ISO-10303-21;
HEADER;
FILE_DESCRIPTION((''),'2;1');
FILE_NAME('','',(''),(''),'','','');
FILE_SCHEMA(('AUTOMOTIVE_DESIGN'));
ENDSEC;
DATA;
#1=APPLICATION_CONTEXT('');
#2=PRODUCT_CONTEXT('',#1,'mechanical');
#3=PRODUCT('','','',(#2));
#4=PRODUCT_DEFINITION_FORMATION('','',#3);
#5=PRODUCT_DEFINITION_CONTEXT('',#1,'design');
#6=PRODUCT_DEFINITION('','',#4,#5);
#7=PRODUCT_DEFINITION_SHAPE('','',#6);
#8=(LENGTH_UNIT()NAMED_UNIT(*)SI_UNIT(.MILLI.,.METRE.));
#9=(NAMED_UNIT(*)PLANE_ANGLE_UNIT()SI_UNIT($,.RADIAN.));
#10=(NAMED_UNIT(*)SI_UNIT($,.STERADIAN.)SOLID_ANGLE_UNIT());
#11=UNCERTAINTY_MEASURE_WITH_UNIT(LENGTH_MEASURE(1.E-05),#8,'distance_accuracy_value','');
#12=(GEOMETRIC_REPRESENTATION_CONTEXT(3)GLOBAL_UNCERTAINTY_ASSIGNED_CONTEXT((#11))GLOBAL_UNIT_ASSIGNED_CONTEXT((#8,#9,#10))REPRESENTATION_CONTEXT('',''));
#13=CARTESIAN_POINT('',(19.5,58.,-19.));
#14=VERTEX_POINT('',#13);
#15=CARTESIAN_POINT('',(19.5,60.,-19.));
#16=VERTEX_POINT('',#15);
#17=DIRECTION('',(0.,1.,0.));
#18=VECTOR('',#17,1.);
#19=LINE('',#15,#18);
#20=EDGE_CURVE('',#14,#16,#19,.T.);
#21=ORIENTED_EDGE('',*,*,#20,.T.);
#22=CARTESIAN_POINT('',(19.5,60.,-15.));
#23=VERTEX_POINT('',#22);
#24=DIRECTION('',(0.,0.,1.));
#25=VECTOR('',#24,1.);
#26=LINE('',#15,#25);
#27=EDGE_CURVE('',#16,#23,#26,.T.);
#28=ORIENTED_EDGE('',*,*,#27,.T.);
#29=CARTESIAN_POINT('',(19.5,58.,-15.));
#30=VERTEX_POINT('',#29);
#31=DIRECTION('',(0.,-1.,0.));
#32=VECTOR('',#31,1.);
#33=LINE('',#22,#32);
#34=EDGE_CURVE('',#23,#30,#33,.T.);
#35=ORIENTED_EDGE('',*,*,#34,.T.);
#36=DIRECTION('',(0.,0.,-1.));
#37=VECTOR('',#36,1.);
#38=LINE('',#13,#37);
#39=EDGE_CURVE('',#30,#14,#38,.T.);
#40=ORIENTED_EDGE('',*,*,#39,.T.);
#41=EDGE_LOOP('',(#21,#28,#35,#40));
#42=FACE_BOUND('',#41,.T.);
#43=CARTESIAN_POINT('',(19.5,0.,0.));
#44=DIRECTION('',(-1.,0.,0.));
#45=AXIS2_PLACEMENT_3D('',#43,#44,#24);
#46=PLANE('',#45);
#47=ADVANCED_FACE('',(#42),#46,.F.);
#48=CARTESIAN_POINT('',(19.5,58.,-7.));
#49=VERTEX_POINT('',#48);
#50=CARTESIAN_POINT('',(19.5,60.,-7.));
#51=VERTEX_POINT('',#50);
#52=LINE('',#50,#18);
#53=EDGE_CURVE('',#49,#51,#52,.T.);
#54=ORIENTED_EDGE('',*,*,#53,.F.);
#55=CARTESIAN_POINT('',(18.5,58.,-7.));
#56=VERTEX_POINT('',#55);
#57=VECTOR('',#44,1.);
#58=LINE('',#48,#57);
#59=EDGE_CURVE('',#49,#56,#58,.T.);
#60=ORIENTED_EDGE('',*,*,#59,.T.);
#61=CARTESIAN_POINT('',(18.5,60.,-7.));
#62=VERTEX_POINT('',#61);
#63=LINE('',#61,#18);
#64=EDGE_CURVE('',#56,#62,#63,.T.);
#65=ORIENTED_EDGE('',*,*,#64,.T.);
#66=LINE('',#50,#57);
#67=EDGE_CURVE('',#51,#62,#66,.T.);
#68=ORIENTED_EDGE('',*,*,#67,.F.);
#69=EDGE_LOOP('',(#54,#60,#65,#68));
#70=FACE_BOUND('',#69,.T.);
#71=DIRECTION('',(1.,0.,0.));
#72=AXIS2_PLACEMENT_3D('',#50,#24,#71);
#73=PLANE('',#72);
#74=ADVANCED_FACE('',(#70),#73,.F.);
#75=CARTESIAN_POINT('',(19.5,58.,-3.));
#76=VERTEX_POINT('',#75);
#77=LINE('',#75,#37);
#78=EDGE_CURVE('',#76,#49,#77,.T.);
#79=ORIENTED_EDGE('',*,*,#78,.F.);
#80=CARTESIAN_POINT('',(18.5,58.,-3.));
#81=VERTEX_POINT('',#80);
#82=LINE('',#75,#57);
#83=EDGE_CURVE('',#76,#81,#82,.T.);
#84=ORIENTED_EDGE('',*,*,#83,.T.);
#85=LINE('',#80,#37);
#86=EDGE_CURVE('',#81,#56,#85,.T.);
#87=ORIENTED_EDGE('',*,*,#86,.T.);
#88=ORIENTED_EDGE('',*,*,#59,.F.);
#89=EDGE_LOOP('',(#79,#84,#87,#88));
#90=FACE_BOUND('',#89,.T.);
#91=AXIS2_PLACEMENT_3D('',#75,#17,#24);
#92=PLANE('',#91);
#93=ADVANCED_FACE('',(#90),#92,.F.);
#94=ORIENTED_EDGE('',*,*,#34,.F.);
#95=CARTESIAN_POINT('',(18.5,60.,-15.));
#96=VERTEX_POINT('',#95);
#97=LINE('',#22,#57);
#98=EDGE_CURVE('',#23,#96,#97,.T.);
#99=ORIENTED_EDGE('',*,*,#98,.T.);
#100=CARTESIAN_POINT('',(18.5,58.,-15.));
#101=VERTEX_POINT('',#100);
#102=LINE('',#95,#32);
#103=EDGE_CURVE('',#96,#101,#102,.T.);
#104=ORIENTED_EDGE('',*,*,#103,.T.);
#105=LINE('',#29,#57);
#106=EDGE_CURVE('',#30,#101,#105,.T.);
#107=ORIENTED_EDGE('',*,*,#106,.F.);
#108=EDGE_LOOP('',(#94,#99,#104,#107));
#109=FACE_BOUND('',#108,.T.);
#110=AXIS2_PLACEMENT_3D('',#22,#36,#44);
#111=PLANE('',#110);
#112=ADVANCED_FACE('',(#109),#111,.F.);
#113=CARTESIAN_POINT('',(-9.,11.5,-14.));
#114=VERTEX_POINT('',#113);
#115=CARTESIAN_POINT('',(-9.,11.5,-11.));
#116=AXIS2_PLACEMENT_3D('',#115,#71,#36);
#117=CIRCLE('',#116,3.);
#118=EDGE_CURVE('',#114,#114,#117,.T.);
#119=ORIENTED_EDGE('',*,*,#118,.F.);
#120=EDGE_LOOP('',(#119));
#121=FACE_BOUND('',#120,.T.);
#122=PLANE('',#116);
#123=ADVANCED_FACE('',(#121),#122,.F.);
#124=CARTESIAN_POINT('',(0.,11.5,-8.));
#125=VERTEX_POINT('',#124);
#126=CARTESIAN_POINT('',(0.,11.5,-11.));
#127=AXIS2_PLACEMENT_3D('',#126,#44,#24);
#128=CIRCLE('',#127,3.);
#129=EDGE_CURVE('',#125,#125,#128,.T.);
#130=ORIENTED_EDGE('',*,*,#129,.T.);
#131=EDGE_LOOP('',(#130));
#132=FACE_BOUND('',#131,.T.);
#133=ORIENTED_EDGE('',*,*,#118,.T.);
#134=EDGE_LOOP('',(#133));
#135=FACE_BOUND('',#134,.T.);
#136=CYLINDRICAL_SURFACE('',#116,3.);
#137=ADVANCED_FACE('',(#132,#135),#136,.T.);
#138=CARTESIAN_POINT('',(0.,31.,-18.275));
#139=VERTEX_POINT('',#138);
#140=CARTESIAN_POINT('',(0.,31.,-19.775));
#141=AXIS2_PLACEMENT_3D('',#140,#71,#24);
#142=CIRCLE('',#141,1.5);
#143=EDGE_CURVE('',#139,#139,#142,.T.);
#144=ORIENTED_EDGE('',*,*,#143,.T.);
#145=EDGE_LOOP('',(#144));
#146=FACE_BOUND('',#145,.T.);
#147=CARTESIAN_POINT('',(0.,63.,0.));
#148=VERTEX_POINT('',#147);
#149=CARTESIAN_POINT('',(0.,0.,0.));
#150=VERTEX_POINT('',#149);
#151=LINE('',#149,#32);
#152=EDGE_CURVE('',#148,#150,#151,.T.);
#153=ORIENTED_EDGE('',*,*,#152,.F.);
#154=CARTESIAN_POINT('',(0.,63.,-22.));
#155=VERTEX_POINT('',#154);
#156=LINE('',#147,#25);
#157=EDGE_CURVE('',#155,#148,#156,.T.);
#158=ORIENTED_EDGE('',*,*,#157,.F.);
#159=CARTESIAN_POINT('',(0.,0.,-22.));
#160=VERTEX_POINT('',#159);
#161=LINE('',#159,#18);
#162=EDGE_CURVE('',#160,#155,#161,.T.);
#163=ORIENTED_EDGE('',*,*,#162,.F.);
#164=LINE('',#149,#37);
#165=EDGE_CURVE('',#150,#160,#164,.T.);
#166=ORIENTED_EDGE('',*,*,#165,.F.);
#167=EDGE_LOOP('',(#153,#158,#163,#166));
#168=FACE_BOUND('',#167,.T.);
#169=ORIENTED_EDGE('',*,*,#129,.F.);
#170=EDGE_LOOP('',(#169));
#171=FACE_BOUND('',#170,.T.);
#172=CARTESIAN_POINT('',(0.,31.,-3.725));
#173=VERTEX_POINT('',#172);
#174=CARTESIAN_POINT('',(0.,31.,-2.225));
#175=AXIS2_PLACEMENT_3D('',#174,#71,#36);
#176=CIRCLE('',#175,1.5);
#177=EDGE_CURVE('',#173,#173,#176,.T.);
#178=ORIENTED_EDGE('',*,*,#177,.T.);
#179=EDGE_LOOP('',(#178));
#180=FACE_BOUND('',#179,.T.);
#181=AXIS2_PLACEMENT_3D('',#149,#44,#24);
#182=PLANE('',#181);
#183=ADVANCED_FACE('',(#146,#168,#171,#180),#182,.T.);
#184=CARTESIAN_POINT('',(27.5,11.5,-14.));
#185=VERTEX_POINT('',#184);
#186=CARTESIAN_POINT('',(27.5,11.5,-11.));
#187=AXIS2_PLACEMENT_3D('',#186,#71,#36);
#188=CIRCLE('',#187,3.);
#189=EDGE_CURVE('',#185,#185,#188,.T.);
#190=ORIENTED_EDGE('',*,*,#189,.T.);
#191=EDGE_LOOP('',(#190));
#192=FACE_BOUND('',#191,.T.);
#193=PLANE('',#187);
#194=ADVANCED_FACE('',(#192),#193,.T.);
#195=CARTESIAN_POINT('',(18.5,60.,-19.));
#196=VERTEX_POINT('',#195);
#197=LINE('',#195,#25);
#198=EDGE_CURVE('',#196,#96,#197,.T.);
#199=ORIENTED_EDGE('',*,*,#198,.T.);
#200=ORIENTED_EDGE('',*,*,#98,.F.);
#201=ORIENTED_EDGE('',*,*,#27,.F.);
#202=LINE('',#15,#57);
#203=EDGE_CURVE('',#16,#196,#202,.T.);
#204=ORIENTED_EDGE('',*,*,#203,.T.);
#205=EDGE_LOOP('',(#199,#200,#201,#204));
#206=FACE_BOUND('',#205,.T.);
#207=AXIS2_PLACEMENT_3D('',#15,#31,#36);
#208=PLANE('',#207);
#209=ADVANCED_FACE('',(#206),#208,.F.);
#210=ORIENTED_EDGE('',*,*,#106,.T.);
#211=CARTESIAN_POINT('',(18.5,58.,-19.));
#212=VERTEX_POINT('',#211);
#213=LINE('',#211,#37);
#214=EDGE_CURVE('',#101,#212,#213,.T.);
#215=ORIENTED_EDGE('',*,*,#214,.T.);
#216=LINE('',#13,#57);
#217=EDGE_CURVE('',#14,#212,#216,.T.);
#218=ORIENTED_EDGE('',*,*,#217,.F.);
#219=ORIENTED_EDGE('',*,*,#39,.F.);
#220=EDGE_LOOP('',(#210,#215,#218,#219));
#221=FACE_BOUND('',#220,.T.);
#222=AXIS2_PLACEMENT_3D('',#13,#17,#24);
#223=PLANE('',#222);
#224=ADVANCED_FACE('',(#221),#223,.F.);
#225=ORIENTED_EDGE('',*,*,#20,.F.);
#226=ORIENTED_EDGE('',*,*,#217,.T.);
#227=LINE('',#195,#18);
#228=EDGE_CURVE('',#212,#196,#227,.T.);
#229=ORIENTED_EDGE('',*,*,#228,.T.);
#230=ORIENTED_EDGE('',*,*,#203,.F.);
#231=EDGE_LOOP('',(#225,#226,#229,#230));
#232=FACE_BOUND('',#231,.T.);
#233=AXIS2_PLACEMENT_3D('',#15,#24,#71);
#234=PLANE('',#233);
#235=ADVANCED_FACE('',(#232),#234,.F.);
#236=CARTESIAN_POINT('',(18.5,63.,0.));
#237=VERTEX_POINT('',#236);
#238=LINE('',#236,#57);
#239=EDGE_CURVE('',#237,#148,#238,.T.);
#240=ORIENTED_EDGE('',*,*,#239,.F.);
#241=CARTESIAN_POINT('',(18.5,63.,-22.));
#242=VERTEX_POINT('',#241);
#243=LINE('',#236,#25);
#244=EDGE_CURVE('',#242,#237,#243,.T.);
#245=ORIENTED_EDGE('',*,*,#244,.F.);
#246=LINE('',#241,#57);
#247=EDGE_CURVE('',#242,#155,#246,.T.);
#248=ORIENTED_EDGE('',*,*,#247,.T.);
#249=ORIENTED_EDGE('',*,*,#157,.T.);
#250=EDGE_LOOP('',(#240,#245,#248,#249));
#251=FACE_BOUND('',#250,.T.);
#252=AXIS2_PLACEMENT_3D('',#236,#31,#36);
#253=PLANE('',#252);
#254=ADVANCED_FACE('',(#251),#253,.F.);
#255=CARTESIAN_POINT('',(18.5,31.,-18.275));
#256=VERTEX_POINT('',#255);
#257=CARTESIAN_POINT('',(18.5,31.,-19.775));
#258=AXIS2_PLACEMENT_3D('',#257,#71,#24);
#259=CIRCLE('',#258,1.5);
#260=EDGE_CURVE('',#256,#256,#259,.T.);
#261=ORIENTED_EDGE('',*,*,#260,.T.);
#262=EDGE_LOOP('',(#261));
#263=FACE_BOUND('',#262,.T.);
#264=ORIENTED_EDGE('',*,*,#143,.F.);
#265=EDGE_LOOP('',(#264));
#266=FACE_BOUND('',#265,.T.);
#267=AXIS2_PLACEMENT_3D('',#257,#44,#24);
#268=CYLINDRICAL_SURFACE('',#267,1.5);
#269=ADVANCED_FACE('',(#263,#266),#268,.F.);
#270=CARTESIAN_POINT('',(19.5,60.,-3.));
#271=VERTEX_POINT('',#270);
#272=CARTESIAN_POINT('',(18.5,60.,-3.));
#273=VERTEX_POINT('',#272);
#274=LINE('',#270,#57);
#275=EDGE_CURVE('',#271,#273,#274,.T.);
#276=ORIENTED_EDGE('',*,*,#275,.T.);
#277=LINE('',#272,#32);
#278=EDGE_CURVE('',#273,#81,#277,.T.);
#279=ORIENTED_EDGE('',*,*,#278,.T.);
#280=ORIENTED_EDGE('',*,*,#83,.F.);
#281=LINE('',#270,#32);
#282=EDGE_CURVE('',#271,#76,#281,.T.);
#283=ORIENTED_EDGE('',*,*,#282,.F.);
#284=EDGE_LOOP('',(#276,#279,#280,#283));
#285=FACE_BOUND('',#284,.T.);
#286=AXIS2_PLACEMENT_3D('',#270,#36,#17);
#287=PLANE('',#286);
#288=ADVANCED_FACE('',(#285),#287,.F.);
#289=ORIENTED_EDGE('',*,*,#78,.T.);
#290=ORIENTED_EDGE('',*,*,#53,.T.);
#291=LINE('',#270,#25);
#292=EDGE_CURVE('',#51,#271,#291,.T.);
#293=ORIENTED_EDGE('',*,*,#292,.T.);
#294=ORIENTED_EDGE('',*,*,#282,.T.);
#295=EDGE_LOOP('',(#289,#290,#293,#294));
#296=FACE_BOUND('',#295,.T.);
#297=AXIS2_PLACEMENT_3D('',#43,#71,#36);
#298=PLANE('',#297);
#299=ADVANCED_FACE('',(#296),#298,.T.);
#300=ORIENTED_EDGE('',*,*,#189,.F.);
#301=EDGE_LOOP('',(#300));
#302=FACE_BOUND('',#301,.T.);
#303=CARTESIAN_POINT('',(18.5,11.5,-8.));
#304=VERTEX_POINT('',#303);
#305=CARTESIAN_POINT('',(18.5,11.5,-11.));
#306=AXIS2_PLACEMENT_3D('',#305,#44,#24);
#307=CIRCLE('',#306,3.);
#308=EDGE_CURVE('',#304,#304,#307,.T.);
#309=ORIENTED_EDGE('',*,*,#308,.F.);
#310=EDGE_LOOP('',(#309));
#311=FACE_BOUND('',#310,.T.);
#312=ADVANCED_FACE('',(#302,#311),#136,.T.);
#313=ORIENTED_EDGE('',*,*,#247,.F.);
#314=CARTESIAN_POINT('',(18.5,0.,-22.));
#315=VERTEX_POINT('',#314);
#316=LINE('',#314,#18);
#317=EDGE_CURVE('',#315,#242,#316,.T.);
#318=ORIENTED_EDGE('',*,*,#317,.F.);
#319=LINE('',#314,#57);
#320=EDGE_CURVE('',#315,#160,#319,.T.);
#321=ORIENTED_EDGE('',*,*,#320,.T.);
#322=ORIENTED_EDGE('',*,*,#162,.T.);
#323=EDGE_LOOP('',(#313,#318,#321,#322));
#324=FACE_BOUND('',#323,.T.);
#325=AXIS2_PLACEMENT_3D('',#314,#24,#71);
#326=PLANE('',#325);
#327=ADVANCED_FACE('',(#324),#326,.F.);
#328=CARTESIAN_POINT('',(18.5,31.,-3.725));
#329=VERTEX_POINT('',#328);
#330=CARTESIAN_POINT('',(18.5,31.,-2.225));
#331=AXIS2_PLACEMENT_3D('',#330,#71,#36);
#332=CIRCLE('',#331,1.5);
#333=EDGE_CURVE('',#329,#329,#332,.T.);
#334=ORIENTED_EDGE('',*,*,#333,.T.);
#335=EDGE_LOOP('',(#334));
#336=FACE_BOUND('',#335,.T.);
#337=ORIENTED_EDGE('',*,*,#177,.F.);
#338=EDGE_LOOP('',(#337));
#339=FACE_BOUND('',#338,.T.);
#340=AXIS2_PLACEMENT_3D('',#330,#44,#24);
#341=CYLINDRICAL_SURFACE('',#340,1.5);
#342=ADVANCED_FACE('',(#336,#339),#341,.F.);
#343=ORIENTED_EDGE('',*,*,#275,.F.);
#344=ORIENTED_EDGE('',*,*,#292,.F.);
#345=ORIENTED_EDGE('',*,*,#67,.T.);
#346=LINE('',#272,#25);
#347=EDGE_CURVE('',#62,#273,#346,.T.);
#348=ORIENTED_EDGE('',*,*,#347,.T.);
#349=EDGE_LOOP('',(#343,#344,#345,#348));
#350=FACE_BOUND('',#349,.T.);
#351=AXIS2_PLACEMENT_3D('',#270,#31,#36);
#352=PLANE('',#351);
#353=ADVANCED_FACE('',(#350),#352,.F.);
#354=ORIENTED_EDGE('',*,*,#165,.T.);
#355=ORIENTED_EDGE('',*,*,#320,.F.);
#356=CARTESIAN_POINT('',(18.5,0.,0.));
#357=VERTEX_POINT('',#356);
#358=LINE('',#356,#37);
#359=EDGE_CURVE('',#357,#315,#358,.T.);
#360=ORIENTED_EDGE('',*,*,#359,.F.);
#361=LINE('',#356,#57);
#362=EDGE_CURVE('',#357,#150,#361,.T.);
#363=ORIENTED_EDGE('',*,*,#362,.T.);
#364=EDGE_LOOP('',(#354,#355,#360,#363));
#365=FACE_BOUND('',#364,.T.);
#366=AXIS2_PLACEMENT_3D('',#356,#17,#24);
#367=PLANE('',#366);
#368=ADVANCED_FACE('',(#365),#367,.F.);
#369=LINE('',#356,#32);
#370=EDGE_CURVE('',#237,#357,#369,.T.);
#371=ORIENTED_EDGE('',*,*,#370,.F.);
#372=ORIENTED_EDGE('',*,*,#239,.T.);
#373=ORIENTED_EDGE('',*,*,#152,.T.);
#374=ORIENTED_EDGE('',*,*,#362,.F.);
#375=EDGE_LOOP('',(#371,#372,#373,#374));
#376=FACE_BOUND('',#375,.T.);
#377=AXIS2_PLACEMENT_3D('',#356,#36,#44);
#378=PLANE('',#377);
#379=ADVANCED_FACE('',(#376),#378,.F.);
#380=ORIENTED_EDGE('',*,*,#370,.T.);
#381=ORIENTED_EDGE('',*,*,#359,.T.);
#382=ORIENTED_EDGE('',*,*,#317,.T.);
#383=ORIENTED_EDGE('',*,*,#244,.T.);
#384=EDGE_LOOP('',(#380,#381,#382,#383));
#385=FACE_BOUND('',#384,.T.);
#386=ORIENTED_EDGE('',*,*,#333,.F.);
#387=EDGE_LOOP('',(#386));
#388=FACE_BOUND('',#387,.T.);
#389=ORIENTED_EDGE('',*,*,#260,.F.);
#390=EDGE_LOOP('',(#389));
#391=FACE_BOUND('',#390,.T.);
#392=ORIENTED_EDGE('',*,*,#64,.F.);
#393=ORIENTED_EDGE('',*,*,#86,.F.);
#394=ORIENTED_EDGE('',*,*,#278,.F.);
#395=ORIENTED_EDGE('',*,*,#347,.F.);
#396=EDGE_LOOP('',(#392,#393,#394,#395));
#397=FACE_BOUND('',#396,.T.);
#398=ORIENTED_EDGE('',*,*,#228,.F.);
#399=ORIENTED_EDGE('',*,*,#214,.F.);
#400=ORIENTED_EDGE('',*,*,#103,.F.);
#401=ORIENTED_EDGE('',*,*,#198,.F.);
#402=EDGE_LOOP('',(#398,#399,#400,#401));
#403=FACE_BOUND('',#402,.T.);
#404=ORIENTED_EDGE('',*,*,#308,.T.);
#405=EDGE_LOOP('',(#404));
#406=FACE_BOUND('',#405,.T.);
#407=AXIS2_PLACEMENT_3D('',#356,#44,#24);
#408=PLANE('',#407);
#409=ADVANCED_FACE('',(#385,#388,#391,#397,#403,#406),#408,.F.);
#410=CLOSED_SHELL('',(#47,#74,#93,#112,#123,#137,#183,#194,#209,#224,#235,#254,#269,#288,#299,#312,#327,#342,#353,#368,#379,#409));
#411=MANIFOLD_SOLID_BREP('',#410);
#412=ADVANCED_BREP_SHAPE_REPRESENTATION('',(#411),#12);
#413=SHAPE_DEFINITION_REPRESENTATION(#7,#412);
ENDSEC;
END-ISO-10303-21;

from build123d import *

# Parameters (mm, degrees)
ESQUISSE1_W             = 22
ESQUISSE1_H             = 63
ESQUISSE1_R             = 1.5
BOSS_EXTRU_1_DEPTH      = 18.5
BOSS_EXTRU_2_DEPTH      = 9
BOSS_EXTRU_2_DEPTH_BACK = 27.5
ESQUISSE2_R             = 3
ESQUISSE3_W             = 4
ESQUISSE3_H             = 2
BOSS_EXTRU_3_DEPTH      = 1


with BuildPart() as part:
    # Esquisse1 → Boss.-Extru.1 (new body)
    with BuildSketch(Plane(origin=(0, 0, 0), x_dir=(0, 0, -1), z_dir=(1, 0, 0))):
        with Locations((11, 31.5)):
            Rectangle(ESQUISSE1_W, ESQUISSE1_H)
        with Locations((2.225, 31)):
            Circle(ESQUISSE1_R, mode=Mode.SUBTRACT)
        with Locations(Location((19.775, 31, 0), (0, 0, 180))):
            Circle(ESQUISSE1_R, mode=Mode.SUBTRACT)
    extrude(amount=BOSS_EXTRU_1_DEPTH)

    # Esquisse2 → Boss.-Extru.2 (add, two sides: drawn at the far end of the back side and taken through both)
    with BuildSketch(Plane(origin=(18.5, 0, 0), x_dir=(0, 0, -1), z_dir=(1, 0, 0)).offset(-BOSS_EXTRU_2_DEPTH_BACK)):
        with Locations((11, 11.5)):
            Circle(ESQUISSE2_R)
    extrude(amount=BOSS_EXTRU_2_DEPTH + BOSS_EXTRU_2_DEPTH_BACK)

    # Esquisse3 → Boss.-Extru.3 (add)
    with BuildSketch(Plane(origin=(18.5, 0, 0), x_dir=(0, 0, -1), z_dir=(1, 0, 0))):
        with Locations((5, 59)):
            Rectangle(ESQUISSE3_W, ESQUISSE3_H)
        with Locations((17, 59)):
            Rectangle(ESQUISSE3_W, ESQUISSE3_H)
    extrude(amount=BOSS_EXTRU_3_DEPTH)


solid = part.part
